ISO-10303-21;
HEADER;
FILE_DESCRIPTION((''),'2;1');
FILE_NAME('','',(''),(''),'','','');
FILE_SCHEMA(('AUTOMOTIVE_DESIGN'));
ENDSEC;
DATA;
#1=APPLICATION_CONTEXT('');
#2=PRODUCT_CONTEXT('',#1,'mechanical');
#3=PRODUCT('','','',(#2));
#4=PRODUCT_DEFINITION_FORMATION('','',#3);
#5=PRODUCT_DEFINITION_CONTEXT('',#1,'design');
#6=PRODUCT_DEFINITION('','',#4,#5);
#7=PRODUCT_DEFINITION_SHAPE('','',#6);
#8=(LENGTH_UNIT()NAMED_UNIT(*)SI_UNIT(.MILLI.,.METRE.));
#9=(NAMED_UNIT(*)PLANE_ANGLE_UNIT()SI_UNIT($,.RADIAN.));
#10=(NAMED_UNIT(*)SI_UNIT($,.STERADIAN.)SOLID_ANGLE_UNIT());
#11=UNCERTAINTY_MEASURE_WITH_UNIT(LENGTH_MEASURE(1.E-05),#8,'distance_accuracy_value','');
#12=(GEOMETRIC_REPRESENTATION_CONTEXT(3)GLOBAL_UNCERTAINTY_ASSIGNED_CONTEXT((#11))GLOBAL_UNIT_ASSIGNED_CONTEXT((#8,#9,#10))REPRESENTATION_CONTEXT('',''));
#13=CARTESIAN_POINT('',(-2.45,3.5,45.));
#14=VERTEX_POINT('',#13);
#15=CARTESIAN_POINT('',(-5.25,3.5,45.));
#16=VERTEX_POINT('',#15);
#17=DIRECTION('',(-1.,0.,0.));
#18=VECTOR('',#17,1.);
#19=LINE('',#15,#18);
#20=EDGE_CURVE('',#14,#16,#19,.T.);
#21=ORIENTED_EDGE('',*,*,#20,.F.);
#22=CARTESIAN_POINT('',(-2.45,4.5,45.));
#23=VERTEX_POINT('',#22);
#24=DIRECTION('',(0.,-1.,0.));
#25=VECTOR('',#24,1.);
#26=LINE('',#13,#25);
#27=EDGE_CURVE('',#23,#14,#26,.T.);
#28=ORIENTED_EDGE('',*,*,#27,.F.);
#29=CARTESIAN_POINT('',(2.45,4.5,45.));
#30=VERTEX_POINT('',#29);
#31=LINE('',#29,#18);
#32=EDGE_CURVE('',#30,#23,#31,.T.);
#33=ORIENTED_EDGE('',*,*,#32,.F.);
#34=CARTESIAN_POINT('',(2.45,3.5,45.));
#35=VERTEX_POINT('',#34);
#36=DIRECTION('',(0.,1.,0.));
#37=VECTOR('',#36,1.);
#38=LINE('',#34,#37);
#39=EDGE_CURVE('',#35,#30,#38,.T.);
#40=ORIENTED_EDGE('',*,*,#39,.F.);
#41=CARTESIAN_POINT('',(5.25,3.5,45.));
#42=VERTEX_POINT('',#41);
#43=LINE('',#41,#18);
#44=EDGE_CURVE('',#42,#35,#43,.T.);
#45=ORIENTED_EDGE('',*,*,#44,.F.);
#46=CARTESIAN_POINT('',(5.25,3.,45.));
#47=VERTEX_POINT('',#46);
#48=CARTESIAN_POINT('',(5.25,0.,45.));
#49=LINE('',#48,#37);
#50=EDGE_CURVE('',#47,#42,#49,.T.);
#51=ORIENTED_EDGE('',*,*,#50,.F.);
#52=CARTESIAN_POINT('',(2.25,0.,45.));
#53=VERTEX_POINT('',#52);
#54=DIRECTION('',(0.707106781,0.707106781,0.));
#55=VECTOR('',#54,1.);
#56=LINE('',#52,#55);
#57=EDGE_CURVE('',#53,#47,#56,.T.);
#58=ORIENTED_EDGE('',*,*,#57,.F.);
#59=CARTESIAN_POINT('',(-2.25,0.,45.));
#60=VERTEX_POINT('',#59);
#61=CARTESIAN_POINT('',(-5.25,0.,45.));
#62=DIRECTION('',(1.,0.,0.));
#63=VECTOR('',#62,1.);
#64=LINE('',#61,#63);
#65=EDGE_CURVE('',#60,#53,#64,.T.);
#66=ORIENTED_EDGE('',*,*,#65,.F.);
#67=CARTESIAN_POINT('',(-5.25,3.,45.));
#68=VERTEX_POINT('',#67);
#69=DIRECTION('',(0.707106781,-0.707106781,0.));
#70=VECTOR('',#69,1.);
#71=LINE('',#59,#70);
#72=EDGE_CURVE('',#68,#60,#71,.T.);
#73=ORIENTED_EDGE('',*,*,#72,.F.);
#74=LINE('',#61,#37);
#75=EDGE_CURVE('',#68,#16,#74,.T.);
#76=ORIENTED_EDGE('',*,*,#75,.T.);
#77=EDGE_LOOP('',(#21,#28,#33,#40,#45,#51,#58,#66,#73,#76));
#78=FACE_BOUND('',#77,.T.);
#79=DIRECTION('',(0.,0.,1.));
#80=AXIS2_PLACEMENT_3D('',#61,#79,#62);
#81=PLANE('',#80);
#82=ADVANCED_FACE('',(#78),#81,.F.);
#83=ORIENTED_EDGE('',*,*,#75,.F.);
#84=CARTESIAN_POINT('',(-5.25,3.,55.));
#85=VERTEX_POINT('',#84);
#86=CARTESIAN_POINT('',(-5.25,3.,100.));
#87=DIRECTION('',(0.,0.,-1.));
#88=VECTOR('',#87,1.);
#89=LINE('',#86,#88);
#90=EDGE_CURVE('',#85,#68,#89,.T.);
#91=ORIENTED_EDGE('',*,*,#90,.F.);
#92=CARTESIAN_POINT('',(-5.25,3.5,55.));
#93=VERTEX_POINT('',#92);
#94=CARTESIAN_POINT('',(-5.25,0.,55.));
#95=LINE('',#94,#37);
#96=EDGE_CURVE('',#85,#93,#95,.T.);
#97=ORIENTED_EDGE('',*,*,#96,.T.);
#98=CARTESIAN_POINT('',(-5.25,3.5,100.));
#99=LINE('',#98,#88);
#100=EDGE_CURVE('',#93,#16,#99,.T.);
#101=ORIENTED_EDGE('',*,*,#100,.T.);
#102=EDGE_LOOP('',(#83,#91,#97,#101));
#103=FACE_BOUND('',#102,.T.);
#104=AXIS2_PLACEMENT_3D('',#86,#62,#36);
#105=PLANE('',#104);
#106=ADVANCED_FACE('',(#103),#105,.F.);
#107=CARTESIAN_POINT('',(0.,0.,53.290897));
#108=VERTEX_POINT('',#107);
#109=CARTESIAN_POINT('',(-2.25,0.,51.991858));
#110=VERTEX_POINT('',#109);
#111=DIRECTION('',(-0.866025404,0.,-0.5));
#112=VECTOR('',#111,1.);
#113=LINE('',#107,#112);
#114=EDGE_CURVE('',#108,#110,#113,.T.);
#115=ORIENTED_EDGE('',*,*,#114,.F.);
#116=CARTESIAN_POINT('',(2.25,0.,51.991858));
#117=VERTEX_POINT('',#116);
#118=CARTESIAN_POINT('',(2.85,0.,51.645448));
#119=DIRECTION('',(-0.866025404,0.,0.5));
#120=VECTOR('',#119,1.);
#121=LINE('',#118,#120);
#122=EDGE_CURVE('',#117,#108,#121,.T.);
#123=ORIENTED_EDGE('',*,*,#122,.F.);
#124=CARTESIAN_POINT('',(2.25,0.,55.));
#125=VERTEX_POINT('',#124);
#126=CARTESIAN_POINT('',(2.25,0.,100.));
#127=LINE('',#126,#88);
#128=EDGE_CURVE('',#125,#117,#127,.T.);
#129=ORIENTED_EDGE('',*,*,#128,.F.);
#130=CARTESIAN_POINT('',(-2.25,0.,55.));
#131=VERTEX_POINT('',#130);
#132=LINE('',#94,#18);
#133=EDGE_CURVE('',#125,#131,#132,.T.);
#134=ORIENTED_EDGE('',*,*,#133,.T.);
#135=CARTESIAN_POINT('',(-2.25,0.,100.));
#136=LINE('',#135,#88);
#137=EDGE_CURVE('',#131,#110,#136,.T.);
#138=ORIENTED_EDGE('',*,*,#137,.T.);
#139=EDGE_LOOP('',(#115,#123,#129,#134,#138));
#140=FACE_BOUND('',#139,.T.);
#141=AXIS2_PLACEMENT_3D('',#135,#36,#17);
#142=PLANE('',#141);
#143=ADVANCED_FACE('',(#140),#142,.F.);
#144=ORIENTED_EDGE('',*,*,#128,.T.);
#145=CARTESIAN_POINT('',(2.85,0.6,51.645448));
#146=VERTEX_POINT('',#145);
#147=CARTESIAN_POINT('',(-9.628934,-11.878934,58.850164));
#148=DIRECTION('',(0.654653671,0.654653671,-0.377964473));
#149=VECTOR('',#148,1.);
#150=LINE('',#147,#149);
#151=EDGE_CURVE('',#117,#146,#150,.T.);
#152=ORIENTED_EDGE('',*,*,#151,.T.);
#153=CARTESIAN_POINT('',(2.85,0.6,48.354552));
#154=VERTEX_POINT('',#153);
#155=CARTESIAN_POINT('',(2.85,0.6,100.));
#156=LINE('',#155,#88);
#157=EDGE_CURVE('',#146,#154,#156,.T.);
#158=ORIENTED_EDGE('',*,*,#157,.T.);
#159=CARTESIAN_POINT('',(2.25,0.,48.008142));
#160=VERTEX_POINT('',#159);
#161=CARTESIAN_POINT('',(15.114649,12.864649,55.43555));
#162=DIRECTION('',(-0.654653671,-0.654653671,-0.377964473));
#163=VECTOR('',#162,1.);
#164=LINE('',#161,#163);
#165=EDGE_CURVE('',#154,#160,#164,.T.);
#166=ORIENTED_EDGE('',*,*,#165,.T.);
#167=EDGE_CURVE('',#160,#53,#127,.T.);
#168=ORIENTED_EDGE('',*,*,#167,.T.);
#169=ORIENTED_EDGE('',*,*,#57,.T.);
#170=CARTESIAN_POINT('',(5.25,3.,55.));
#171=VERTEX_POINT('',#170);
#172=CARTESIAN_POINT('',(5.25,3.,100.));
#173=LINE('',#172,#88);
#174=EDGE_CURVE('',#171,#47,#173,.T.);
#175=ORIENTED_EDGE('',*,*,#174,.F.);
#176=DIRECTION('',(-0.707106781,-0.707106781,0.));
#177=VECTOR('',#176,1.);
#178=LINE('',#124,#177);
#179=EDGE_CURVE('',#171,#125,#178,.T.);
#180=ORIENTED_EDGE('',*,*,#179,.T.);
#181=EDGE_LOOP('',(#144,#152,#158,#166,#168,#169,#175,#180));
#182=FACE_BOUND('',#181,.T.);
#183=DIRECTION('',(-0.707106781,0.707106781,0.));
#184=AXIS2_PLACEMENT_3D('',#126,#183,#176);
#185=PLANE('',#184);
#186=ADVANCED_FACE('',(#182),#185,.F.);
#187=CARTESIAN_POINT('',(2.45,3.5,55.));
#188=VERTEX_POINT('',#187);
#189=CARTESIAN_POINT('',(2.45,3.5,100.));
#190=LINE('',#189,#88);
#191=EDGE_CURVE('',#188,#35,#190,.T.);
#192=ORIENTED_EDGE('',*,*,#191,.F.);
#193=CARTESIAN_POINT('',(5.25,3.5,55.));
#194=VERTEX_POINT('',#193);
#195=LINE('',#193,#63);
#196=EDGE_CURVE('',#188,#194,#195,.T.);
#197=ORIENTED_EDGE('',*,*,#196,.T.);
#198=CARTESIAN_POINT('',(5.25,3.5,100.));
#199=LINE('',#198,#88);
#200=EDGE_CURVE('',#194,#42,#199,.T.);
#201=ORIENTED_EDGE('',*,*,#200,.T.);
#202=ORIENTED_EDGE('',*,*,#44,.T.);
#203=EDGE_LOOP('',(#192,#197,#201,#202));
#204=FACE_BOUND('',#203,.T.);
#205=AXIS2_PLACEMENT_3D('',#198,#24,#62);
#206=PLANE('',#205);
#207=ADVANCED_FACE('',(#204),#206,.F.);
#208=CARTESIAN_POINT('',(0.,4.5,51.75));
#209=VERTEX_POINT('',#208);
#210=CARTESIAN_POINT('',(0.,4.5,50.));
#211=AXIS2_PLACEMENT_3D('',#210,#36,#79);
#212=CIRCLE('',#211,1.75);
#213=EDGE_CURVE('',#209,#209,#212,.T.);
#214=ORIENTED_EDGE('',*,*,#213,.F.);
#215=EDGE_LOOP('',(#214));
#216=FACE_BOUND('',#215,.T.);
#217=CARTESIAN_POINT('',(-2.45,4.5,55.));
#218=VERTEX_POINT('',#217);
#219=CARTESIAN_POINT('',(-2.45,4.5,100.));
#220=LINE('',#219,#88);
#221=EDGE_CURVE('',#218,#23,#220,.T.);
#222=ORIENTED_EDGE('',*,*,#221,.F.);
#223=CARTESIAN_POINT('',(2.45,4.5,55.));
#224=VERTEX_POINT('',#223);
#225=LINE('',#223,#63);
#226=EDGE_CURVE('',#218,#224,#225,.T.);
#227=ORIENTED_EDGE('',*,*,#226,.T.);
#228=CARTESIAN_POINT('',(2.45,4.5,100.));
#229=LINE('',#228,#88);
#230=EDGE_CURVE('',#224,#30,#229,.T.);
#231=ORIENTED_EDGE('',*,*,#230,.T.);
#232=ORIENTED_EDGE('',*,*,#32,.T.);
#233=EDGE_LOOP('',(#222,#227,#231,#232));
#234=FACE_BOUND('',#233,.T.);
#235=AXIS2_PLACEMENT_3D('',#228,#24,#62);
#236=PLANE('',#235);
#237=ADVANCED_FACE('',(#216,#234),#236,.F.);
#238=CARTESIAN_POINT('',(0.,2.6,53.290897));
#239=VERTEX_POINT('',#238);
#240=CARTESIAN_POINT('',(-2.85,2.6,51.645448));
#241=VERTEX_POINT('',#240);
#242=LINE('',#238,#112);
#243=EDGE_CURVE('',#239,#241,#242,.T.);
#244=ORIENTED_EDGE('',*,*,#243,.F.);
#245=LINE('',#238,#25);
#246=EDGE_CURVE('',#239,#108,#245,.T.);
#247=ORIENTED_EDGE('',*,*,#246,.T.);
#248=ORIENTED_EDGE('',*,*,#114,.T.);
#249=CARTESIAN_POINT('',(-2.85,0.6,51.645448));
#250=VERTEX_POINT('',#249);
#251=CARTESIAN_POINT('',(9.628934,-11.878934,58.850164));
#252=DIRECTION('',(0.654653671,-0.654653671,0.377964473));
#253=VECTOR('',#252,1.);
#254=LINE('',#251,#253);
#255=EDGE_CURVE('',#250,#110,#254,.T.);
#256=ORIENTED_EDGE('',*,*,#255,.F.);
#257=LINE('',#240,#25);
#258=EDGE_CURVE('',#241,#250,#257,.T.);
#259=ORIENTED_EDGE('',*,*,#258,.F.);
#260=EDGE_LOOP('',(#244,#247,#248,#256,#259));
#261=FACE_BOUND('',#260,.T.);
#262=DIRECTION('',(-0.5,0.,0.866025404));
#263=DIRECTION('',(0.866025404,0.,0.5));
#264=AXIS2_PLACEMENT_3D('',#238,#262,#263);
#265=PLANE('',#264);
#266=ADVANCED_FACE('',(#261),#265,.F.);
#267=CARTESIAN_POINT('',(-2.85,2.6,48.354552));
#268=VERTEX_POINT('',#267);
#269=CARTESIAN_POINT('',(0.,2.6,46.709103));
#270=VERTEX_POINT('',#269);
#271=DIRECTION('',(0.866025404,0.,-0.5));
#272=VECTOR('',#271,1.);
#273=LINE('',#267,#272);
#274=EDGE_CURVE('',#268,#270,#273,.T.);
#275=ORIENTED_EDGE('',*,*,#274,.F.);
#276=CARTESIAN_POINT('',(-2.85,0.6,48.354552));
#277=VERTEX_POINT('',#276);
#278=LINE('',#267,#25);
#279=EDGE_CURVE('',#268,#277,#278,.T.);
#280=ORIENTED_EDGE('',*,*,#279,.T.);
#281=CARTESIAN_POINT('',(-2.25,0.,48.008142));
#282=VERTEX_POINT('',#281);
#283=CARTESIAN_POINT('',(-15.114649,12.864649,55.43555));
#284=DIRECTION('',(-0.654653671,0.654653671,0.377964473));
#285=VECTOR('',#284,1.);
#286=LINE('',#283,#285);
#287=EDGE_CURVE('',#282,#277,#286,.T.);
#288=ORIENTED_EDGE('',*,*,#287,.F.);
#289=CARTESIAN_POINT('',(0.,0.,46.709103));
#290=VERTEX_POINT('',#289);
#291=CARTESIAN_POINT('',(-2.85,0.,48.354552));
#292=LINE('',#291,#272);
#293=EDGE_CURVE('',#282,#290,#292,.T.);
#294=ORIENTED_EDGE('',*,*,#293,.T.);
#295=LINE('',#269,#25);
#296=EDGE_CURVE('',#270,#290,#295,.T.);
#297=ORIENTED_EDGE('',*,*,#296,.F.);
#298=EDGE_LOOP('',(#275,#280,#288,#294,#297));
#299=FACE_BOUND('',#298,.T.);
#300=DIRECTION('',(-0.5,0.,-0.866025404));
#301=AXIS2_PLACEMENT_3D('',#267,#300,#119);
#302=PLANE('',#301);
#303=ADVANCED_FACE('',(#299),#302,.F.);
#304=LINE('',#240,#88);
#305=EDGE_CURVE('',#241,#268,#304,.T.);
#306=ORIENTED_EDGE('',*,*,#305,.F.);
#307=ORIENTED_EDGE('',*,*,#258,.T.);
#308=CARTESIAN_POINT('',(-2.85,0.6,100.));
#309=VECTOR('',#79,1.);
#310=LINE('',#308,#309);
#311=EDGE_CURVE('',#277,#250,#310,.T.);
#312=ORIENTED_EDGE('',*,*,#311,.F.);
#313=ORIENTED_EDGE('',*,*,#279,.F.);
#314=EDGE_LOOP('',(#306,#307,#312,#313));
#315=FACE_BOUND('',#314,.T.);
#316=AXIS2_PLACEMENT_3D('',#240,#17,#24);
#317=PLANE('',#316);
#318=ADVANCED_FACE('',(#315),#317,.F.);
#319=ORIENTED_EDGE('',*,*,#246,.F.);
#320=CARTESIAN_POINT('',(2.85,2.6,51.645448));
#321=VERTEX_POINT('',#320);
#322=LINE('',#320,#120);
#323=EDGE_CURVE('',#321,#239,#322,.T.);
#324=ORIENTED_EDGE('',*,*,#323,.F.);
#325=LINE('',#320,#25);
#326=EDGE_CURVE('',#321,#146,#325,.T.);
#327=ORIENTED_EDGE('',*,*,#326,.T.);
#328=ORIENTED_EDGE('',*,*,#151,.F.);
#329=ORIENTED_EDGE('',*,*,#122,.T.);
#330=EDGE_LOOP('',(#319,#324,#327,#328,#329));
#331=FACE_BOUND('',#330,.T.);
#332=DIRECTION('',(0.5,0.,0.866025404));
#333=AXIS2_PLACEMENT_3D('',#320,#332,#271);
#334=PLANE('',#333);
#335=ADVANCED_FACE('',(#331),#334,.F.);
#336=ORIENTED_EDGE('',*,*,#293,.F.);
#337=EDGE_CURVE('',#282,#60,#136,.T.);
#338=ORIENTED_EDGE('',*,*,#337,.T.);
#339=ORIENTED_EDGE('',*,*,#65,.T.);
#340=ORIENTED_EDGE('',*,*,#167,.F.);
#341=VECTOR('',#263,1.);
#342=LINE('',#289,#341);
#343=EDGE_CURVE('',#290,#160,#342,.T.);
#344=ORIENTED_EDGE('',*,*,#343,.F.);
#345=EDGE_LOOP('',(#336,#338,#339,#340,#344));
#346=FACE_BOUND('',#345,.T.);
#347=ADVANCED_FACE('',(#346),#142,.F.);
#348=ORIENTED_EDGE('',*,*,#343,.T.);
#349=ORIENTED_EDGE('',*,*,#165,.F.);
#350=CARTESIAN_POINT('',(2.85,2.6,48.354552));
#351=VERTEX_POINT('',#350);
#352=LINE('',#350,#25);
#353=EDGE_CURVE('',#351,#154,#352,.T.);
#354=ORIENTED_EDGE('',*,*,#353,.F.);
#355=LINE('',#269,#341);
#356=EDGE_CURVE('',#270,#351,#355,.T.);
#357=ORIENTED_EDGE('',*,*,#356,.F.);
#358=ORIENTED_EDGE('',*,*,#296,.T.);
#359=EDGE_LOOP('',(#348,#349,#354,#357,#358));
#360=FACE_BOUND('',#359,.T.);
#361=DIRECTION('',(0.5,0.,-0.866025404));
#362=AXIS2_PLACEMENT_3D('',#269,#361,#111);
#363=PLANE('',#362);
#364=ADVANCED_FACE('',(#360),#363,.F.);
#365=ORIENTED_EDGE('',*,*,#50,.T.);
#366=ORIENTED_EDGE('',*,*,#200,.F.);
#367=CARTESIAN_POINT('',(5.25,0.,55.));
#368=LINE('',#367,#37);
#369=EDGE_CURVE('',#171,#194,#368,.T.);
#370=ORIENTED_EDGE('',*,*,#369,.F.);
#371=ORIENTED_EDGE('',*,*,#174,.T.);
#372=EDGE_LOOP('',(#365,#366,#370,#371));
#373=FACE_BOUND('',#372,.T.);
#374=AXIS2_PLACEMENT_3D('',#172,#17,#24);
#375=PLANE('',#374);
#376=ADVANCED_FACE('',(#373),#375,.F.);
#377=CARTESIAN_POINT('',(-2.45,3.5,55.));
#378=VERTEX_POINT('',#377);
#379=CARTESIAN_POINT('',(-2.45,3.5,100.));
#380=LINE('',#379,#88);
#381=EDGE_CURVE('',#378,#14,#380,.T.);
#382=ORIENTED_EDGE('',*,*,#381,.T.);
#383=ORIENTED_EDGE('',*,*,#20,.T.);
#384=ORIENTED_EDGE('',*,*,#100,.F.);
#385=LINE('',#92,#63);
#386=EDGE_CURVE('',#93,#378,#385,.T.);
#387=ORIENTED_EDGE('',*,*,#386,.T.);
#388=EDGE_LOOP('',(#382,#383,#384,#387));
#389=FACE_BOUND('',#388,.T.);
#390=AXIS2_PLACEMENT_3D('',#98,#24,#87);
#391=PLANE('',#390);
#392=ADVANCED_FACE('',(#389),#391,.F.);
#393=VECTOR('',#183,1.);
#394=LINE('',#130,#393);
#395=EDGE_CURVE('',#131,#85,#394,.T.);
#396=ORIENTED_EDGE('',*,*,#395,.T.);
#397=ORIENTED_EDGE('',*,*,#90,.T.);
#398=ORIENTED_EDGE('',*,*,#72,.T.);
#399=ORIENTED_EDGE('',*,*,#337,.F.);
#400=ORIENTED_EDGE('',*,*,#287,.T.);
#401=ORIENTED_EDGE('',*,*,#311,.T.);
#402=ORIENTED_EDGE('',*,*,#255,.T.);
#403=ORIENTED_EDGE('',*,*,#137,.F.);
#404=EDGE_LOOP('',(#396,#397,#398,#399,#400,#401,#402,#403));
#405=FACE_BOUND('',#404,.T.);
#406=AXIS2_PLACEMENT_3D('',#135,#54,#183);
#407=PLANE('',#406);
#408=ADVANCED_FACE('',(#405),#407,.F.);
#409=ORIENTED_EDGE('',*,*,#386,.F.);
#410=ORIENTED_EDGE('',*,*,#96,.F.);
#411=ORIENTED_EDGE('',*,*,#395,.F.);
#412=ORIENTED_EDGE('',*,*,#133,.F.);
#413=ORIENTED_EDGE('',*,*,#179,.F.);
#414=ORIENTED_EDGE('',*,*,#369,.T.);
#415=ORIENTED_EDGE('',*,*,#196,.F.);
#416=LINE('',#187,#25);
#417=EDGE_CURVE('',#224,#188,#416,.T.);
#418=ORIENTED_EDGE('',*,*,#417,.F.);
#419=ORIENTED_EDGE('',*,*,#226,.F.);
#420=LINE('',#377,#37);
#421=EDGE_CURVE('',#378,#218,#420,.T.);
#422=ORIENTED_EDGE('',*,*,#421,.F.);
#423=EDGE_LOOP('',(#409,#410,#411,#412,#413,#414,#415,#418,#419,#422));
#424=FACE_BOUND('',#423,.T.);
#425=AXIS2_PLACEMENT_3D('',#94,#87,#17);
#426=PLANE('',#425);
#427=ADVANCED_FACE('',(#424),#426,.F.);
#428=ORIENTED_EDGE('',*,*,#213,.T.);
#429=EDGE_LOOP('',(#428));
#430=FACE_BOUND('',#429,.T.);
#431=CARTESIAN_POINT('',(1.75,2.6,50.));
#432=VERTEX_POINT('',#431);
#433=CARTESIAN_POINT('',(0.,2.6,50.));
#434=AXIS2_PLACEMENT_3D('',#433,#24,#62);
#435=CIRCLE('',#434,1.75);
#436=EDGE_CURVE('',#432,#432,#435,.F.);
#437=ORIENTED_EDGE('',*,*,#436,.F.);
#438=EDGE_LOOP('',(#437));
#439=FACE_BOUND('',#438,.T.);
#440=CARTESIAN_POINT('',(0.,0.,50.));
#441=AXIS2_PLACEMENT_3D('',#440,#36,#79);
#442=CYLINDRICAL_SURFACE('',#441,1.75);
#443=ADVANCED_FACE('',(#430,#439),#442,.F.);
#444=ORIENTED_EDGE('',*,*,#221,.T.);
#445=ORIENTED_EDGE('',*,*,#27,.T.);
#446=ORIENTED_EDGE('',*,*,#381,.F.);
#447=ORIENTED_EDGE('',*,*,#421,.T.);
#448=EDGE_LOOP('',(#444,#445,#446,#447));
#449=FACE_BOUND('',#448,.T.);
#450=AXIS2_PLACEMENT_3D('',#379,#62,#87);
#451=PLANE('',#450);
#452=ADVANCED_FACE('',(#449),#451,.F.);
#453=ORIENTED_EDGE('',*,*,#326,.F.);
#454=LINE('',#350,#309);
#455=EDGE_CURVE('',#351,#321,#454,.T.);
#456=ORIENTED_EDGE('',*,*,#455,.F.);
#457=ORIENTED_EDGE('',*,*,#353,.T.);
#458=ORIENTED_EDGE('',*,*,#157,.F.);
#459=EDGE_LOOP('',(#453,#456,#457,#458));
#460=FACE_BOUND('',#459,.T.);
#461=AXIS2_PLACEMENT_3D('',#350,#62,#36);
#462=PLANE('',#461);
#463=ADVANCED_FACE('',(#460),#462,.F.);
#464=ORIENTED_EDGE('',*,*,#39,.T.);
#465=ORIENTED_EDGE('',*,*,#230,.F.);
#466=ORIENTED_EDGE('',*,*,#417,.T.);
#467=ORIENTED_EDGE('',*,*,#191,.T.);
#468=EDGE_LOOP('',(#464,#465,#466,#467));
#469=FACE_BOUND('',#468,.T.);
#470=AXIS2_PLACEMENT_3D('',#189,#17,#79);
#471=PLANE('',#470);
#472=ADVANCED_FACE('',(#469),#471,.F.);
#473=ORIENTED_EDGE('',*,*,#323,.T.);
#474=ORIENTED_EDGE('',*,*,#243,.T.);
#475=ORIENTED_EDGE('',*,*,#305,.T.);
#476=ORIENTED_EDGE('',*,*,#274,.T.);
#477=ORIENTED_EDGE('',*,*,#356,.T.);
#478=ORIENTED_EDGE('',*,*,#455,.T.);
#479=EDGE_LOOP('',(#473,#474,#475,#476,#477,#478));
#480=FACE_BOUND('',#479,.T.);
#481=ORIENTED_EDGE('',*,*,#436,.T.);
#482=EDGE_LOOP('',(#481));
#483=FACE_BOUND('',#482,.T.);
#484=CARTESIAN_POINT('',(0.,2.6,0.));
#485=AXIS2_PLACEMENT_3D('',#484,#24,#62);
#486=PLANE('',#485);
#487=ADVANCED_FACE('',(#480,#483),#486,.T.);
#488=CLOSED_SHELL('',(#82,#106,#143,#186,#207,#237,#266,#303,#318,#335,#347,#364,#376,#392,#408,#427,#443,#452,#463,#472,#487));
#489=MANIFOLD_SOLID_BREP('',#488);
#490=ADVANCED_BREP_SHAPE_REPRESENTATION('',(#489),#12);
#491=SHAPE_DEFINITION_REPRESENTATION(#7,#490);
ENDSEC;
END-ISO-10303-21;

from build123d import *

# Parameters (mm, degrees)
BOSS_EXTRU_1_DEPTH           = 100
ESQUISSE2_R                  = 1.75
ENL_V_MAT_EXTRU_1_DEPTH      = 101.238777427
ENL_V_MAT_EXTRU_2_DEPTH      = 101.238777427
ENL_V_MAT_EXTRU_2_DEPTH_BACK = 101.238777427
ESQUISSE3_W                  = 10.5
ESQUISSE3_H                  = 45
ENL_V_MAT_EXTRU_3_DEPTH      = 2.6


with BuildPart() as part:
    # Esquisse1 → Boss.-Extru.1 (new body)
    with BuildSketch(Plane.XY):
        Polygon((-2.25, 0), (2.25, 0), (5.25, 3), (5.25, 3.5), (2.45, 3.5), (2.45, 4.5), (-2.45, 4.5), (-2.45, 3.5), (-5.25, 3.5), (-5.25, 3), align=None)
    extrude(amount=BOSS_EXTRU_1_DEPTH)

    # Esquisse2 → Enlèv. mat.-Extru.1 (cut, through all)
    with BuildSketch(Plane(origin=(0, 4.5, 0), x_dir=(1, 0, 0), z_dir=(0, 1, 0))):
        with Locations(Location((0, -50, 0), (0, 0, 270))):
            Circle(ESQUISSE2_R)
    extrude(amount=-ENL_V_MAT_EXTRU_1_DEPTH, mode=Mode.SUBTRACT)

    # Esquisse3 → Enlèv. mat.-Extru.2 (cut, two sides: drawn at the far end of the back side and taken through both)
    with BuildSketch(Plane(origin=(0, 4.5, 0), x_dir=(1, 0, 0), z_dir=(0, 1, 0)).offset(-ENL_V_MAT_EXTRU_2_DEPTH_BACK)):
        with Locations((0, -77.5)):
            Rectangle(ESQUISSE3_W, ESQUISSE3_H)
        with Locations((0, -22.5)):
            Rectangle(ESQUISSE3_W, ESQUISSE3_H)
    extrude(amount=ENL_V_MAT_EXTRU_2_DEPTH + ENL_V_MAT_EXTRU_2_DEPTH_BACK, mode=Mode.SUBTRACT)

    # Esquisse4 → Enlèv. mat.-Extru.3 (cut)
    with BuildSketch(Plane.XZ):
        Polygon((2.85, 48.354551733), (2.85, 51.645448267), (0, 53.290896534), (-2.85, 51.645448267), (-2.85, 48.354551733), (0, 46.709103466), align=None)
    extrude(amount=-ENL_V_MAT_EXTRU_3_DEPTH, mode=Mode.SUBTRACT)


solid = part.part
